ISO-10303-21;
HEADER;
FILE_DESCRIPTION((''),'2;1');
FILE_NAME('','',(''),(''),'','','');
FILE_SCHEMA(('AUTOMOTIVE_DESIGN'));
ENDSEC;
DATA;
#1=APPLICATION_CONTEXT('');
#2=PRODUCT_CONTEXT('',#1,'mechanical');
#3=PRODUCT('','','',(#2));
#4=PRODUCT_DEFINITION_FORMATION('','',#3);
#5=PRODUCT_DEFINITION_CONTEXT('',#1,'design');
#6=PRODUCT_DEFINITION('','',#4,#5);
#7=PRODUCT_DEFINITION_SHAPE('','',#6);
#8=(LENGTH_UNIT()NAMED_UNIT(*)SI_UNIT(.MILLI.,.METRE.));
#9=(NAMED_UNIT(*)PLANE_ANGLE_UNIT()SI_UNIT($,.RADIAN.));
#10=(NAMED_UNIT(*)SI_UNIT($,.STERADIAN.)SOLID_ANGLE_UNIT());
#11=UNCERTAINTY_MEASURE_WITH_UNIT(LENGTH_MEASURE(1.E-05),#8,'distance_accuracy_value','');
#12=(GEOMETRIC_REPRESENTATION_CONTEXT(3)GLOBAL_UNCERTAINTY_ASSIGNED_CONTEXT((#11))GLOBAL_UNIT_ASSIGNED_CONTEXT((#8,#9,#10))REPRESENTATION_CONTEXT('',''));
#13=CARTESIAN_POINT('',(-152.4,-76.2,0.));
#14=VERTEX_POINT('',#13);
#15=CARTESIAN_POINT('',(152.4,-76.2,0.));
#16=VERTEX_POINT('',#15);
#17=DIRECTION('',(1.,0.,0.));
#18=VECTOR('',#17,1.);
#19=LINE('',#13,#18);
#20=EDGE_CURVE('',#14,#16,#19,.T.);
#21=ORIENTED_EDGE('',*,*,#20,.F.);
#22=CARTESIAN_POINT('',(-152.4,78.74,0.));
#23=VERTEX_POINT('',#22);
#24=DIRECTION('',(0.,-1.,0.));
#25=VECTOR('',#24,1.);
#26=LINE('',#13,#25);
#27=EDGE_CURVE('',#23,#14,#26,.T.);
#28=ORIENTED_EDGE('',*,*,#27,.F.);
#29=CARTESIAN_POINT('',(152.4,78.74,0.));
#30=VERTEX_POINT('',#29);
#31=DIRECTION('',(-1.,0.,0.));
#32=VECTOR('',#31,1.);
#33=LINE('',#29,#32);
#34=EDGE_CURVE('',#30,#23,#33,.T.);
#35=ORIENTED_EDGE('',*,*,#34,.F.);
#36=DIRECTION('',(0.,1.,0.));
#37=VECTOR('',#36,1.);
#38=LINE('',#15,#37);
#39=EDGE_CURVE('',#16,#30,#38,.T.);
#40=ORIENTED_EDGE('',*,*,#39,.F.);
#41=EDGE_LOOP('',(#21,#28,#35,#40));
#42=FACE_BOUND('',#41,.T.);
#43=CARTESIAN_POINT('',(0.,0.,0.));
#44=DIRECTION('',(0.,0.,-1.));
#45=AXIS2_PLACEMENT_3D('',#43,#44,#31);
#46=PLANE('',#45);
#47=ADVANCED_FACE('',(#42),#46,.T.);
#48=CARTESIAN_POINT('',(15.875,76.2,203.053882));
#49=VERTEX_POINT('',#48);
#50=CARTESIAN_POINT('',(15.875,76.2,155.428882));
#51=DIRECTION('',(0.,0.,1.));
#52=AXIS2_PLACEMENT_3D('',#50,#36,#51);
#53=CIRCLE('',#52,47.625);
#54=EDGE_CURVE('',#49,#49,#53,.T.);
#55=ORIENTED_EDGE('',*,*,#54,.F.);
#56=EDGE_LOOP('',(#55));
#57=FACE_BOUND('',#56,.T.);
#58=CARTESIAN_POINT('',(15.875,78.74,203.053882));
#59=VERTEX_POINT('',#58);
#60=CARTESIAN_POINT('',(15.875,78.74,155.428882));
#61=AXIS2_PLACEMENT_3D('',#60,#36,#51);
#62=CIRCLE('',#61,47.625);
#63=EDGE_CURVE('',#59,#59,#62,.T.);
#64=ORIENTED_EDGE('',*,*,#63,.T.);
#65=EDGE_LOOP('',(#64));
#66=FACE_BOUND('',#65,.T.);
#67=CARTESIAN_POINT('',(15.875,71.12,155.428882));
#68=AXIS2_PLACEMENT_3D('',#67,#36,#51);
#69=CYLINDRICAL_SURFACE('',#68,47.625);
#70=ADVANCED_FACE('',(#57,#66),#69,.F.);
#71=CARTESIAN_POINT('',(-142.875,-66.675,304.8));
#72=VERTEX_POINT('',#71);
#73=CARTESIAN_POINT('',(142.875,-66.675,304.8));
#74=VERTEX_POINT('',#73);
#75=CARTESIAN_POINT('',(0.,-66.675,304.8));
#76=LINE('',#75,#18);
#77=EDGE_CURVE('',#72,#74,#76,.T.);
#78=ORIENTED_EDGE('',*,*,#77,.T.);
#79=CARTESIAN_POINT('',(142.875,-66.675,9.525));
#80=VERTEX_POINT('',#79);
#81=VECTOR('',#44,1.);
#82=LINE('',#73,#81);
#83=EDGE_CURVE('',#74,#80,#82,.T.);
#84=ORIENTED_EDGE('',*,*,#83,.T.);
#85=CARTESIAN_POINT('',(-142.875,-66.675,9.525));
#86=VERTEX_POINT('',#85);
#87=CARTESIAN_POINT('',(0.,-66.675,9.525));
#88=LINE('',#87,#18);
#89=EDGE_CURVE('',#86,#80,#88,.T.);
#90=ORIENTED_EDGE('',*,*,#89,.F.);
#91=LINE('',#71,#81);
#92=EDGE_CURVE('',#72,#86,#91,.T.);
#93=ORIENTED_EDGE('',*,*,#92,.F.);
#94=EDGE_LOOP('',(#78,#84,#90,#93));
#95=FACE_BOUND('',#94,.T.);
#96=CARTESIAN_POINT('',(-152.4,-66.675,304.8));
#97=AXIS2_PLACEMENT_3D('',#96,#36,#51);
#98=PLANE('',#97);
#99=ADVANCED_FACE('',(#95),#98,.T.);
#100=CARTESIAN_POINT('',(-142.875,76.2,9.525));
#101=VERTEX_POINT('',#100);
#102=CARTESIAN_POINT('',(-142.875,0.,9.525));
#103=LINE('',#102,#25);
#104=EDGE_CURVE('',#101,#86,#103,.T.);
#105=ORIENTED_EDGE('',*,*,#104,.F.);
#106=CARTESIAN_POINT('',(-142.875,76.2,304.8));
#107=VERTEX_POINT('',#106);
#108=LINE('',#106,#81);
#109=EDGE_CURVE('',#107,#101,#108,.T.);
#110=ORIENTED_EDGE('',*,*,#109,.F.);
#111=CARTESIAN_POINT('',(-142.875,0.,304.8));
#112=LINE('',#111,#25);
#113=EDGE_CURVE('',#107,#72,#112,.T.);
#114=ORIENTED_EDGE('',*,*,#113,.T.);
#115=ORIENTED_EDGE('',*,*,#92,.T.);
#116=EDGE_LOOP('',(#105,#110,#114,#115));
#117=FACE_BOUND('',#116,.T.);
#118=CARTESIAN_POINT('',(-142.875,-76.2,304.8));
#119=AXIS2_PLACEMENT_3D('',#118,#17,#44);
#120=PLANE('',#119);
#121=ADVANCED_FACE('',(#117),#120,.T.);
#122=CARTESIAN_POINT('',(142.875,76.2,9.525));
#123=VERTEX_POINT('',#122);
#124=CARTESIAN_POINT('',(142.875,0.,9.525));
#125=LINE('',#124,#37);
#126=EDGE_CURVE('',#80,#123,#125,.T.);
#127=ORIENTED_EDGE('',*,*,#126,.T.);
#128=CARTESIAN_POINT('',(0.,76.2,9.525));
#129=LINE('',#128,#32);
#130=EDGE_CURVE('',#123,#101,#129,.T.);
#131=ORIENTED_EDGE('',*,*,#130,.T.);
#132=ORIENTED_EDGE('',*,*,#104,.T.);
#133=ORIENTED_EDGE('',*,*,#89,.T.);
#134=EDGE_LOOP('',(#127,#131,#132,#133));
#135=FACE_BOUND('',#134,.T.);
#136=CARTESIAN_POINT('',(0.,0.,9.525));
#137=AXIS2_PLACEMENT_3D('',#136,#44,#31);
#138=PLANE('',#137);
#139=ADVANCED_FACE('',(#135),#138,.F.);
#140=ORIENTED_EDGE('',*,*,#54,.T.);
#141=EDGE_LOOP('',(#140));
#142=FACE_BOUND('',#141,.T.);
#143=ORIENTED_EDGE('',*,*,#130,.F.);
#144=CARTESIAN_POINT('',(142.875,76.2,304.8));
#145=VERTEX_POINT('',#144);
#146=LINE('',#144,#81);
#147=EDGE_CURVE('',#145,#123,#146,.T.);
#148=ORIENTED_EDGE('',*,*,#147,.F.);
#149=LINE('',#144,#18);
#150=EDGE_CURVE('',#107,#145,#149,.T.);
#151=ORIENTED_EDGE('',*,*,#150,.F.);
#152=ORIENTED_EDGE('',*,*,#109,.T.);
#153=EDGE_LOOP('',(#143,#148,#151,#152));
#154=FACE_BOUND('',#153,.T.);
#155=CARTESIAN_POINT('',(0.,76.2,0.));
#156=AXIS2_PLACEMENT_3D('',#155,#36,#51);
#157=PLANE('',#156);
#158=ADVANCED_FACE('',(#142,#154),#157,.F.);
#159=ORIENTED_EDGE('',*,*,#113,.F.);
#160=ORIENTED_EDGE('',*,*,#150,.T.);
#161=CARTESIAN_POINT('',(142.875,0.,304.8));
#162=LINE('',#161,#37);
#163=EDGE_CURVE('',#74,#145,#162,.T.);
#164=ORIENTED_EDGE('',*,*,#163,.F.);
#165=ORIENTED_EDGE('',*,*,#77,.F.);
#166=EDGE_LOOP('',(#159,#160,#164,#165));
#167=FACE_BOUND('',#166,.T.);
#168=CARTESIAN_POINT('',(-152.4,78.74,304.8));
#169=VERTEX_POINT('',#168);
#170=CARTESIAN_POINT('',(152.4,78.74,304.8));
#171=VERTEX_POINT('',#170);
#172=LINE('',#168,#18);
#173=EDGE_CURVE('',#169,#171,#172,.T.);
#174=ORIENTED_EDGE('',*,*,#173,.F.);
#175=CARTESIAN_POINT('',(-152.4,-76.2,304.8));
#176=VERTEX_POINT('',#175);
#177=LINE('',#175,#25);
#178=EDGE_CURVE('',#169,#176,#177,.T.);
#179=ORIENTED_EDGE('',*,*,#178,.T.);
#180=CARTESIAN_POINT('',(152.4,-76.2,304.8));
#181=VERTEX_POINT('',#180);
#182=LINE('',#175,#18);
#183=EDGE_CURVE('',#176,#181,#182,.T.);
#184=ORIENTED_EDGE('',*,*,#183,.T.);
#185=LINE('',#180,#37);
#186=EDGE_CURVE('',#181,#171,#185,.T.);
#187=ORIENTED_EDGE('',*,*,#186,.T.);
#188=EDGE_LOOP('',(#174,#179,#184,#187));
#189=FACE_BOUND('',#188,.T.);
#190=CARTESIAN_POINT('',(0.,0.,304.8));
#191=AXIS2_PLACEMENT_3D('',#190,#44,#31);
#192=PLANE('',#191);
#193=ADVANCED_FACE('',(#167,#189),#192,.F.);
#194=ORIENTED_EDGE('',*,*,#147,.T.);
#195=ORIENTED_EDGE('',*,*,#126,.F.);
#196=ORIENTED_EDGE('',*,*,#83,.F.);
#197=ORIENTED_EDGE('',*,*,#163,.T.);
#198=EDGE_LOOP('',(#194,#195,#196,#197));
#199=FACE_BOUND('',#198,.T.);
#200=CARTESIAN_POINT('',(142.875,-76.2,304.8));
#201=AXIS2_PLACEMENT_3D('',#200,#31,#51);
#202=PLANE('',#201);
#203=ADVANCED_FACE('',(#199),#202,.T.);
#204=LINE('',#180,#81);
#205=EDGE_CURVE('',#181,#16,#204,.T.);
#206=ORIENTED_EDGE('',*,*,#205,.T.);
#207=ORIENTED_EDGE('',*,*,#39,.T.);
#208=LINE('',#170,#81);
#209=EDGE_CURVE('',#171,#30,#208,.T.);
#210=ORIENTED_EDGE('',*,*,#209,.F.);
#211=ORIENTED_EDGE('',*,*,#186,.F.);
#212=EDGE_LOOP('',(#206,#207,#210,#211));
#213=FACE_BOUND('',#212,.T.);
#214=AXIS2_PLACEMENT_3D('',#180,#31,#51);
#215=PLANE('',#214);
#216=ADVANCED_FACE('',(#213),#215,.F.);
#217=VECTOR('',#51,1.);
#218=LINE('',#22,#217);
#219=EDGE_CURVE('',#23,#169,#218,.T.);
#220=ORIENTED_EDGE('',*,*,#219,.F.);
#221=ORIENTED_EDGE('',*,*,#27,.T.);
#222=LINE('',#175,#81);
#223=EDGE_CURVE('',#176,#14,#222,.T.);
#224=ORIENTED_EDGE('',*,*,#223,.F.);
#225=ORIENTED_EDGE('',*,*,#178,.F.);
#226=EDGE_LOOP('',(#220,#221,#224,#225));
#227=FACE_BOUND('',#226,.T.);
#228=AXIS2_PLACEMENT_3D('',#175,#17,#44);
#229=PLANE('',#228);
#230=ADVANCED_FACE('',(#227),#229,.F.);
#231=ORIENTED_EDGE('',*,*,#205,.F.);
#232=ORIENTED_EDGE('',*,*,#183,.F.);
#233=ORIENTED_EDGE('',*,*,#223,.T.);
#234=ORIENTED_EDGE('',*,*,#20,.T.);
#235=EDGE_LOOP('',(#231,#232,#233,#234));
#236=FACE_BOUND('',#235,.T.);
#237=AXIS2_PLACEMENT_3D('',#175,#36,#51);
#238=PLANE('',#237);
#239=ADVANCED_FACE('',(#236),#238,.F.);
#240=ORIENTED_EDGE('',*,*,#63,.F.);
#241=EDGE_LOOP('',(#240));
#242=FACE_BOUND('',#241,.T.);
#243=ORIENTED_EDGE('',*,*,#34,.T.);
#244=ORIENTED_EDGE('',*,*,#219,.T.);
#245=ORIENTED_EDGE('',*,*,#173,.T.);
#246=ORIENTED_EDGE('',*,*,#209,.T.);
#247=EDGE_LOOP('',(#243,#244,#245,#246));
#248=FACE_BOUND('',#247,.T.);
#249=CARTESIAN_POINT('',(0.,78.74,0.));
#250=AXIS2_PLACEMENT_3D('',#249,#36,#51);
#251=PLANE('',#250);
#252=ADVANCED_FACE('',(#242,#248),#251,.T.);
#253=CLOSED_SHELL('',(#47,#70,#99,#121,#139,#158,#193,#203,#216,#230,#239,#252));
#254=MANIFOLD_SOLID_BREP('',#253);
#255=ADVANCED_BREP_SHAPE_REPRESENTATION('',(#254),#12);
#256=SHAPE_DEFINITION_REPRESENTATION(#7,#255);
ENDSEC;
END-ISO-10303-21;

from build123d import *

# Parameters (mm, degrees)
SKETCH1_W           = 304.8
SKETCH1_H           = 152.4
BOSS_EXTRUDE1_DEPTH = 304.8
SHELL1_T            = -9.525
BOSS_EXTRUDE2_DEPTH = 2.54
SKETCH4_R           = 47.625
CUT_EXTRUDE1_DEPTH  = 7.62


with BuildPart() as part:
    # Sketch1 → Boss-Extrude1 (new body)
    with BuildSketch(Plane.XY):
        Rectangle(SKETCH1_W, SKETCH1_H)
    extrude(amount=BOSS_EXTRUDE1_DEPTH)

    # Shell1
    shell1_openings = [part.faces().sort_by_distance(p)[0] for p in [
        (0, 0, 304.8),
        (0, 76.2, 152.4),
    ]]
    offset(amount=SHELL1_T, openings=shell1_openings, kind=Kind.INTERSECTION)

    # Sketch2 → Boss-Extrude2 (add)
    with BuildSketch(Plane(origin=(0, 76.2, 0), x_dir=(1, 0, 0), z_dir=(0, 1, 0))):
        Polygon((-142.875, -304.8), (142.875, -304.8), (152.4, -304.8), (152.4, 0), (-152.4, 0), (-152.4, -304.8), align=None)
    extrude(amount=BOSS_EXTRUDE2_DEPTH)

    # Sketch4 → Cut-Extrude1 (cut)
    with BuildSketch(Plane(origin=(0, 78.74, 0), x_dir=(1, 0, 0), z_dir=(0, 1, 0))):
        with Locations((15.875, -155.428881859)):
            Circle(SKETCH4_R)
    extrude(amount=-CUT_EXTRUDE1_DEPTH, mode=Mode.SUBTRACT)


solid = part.part
